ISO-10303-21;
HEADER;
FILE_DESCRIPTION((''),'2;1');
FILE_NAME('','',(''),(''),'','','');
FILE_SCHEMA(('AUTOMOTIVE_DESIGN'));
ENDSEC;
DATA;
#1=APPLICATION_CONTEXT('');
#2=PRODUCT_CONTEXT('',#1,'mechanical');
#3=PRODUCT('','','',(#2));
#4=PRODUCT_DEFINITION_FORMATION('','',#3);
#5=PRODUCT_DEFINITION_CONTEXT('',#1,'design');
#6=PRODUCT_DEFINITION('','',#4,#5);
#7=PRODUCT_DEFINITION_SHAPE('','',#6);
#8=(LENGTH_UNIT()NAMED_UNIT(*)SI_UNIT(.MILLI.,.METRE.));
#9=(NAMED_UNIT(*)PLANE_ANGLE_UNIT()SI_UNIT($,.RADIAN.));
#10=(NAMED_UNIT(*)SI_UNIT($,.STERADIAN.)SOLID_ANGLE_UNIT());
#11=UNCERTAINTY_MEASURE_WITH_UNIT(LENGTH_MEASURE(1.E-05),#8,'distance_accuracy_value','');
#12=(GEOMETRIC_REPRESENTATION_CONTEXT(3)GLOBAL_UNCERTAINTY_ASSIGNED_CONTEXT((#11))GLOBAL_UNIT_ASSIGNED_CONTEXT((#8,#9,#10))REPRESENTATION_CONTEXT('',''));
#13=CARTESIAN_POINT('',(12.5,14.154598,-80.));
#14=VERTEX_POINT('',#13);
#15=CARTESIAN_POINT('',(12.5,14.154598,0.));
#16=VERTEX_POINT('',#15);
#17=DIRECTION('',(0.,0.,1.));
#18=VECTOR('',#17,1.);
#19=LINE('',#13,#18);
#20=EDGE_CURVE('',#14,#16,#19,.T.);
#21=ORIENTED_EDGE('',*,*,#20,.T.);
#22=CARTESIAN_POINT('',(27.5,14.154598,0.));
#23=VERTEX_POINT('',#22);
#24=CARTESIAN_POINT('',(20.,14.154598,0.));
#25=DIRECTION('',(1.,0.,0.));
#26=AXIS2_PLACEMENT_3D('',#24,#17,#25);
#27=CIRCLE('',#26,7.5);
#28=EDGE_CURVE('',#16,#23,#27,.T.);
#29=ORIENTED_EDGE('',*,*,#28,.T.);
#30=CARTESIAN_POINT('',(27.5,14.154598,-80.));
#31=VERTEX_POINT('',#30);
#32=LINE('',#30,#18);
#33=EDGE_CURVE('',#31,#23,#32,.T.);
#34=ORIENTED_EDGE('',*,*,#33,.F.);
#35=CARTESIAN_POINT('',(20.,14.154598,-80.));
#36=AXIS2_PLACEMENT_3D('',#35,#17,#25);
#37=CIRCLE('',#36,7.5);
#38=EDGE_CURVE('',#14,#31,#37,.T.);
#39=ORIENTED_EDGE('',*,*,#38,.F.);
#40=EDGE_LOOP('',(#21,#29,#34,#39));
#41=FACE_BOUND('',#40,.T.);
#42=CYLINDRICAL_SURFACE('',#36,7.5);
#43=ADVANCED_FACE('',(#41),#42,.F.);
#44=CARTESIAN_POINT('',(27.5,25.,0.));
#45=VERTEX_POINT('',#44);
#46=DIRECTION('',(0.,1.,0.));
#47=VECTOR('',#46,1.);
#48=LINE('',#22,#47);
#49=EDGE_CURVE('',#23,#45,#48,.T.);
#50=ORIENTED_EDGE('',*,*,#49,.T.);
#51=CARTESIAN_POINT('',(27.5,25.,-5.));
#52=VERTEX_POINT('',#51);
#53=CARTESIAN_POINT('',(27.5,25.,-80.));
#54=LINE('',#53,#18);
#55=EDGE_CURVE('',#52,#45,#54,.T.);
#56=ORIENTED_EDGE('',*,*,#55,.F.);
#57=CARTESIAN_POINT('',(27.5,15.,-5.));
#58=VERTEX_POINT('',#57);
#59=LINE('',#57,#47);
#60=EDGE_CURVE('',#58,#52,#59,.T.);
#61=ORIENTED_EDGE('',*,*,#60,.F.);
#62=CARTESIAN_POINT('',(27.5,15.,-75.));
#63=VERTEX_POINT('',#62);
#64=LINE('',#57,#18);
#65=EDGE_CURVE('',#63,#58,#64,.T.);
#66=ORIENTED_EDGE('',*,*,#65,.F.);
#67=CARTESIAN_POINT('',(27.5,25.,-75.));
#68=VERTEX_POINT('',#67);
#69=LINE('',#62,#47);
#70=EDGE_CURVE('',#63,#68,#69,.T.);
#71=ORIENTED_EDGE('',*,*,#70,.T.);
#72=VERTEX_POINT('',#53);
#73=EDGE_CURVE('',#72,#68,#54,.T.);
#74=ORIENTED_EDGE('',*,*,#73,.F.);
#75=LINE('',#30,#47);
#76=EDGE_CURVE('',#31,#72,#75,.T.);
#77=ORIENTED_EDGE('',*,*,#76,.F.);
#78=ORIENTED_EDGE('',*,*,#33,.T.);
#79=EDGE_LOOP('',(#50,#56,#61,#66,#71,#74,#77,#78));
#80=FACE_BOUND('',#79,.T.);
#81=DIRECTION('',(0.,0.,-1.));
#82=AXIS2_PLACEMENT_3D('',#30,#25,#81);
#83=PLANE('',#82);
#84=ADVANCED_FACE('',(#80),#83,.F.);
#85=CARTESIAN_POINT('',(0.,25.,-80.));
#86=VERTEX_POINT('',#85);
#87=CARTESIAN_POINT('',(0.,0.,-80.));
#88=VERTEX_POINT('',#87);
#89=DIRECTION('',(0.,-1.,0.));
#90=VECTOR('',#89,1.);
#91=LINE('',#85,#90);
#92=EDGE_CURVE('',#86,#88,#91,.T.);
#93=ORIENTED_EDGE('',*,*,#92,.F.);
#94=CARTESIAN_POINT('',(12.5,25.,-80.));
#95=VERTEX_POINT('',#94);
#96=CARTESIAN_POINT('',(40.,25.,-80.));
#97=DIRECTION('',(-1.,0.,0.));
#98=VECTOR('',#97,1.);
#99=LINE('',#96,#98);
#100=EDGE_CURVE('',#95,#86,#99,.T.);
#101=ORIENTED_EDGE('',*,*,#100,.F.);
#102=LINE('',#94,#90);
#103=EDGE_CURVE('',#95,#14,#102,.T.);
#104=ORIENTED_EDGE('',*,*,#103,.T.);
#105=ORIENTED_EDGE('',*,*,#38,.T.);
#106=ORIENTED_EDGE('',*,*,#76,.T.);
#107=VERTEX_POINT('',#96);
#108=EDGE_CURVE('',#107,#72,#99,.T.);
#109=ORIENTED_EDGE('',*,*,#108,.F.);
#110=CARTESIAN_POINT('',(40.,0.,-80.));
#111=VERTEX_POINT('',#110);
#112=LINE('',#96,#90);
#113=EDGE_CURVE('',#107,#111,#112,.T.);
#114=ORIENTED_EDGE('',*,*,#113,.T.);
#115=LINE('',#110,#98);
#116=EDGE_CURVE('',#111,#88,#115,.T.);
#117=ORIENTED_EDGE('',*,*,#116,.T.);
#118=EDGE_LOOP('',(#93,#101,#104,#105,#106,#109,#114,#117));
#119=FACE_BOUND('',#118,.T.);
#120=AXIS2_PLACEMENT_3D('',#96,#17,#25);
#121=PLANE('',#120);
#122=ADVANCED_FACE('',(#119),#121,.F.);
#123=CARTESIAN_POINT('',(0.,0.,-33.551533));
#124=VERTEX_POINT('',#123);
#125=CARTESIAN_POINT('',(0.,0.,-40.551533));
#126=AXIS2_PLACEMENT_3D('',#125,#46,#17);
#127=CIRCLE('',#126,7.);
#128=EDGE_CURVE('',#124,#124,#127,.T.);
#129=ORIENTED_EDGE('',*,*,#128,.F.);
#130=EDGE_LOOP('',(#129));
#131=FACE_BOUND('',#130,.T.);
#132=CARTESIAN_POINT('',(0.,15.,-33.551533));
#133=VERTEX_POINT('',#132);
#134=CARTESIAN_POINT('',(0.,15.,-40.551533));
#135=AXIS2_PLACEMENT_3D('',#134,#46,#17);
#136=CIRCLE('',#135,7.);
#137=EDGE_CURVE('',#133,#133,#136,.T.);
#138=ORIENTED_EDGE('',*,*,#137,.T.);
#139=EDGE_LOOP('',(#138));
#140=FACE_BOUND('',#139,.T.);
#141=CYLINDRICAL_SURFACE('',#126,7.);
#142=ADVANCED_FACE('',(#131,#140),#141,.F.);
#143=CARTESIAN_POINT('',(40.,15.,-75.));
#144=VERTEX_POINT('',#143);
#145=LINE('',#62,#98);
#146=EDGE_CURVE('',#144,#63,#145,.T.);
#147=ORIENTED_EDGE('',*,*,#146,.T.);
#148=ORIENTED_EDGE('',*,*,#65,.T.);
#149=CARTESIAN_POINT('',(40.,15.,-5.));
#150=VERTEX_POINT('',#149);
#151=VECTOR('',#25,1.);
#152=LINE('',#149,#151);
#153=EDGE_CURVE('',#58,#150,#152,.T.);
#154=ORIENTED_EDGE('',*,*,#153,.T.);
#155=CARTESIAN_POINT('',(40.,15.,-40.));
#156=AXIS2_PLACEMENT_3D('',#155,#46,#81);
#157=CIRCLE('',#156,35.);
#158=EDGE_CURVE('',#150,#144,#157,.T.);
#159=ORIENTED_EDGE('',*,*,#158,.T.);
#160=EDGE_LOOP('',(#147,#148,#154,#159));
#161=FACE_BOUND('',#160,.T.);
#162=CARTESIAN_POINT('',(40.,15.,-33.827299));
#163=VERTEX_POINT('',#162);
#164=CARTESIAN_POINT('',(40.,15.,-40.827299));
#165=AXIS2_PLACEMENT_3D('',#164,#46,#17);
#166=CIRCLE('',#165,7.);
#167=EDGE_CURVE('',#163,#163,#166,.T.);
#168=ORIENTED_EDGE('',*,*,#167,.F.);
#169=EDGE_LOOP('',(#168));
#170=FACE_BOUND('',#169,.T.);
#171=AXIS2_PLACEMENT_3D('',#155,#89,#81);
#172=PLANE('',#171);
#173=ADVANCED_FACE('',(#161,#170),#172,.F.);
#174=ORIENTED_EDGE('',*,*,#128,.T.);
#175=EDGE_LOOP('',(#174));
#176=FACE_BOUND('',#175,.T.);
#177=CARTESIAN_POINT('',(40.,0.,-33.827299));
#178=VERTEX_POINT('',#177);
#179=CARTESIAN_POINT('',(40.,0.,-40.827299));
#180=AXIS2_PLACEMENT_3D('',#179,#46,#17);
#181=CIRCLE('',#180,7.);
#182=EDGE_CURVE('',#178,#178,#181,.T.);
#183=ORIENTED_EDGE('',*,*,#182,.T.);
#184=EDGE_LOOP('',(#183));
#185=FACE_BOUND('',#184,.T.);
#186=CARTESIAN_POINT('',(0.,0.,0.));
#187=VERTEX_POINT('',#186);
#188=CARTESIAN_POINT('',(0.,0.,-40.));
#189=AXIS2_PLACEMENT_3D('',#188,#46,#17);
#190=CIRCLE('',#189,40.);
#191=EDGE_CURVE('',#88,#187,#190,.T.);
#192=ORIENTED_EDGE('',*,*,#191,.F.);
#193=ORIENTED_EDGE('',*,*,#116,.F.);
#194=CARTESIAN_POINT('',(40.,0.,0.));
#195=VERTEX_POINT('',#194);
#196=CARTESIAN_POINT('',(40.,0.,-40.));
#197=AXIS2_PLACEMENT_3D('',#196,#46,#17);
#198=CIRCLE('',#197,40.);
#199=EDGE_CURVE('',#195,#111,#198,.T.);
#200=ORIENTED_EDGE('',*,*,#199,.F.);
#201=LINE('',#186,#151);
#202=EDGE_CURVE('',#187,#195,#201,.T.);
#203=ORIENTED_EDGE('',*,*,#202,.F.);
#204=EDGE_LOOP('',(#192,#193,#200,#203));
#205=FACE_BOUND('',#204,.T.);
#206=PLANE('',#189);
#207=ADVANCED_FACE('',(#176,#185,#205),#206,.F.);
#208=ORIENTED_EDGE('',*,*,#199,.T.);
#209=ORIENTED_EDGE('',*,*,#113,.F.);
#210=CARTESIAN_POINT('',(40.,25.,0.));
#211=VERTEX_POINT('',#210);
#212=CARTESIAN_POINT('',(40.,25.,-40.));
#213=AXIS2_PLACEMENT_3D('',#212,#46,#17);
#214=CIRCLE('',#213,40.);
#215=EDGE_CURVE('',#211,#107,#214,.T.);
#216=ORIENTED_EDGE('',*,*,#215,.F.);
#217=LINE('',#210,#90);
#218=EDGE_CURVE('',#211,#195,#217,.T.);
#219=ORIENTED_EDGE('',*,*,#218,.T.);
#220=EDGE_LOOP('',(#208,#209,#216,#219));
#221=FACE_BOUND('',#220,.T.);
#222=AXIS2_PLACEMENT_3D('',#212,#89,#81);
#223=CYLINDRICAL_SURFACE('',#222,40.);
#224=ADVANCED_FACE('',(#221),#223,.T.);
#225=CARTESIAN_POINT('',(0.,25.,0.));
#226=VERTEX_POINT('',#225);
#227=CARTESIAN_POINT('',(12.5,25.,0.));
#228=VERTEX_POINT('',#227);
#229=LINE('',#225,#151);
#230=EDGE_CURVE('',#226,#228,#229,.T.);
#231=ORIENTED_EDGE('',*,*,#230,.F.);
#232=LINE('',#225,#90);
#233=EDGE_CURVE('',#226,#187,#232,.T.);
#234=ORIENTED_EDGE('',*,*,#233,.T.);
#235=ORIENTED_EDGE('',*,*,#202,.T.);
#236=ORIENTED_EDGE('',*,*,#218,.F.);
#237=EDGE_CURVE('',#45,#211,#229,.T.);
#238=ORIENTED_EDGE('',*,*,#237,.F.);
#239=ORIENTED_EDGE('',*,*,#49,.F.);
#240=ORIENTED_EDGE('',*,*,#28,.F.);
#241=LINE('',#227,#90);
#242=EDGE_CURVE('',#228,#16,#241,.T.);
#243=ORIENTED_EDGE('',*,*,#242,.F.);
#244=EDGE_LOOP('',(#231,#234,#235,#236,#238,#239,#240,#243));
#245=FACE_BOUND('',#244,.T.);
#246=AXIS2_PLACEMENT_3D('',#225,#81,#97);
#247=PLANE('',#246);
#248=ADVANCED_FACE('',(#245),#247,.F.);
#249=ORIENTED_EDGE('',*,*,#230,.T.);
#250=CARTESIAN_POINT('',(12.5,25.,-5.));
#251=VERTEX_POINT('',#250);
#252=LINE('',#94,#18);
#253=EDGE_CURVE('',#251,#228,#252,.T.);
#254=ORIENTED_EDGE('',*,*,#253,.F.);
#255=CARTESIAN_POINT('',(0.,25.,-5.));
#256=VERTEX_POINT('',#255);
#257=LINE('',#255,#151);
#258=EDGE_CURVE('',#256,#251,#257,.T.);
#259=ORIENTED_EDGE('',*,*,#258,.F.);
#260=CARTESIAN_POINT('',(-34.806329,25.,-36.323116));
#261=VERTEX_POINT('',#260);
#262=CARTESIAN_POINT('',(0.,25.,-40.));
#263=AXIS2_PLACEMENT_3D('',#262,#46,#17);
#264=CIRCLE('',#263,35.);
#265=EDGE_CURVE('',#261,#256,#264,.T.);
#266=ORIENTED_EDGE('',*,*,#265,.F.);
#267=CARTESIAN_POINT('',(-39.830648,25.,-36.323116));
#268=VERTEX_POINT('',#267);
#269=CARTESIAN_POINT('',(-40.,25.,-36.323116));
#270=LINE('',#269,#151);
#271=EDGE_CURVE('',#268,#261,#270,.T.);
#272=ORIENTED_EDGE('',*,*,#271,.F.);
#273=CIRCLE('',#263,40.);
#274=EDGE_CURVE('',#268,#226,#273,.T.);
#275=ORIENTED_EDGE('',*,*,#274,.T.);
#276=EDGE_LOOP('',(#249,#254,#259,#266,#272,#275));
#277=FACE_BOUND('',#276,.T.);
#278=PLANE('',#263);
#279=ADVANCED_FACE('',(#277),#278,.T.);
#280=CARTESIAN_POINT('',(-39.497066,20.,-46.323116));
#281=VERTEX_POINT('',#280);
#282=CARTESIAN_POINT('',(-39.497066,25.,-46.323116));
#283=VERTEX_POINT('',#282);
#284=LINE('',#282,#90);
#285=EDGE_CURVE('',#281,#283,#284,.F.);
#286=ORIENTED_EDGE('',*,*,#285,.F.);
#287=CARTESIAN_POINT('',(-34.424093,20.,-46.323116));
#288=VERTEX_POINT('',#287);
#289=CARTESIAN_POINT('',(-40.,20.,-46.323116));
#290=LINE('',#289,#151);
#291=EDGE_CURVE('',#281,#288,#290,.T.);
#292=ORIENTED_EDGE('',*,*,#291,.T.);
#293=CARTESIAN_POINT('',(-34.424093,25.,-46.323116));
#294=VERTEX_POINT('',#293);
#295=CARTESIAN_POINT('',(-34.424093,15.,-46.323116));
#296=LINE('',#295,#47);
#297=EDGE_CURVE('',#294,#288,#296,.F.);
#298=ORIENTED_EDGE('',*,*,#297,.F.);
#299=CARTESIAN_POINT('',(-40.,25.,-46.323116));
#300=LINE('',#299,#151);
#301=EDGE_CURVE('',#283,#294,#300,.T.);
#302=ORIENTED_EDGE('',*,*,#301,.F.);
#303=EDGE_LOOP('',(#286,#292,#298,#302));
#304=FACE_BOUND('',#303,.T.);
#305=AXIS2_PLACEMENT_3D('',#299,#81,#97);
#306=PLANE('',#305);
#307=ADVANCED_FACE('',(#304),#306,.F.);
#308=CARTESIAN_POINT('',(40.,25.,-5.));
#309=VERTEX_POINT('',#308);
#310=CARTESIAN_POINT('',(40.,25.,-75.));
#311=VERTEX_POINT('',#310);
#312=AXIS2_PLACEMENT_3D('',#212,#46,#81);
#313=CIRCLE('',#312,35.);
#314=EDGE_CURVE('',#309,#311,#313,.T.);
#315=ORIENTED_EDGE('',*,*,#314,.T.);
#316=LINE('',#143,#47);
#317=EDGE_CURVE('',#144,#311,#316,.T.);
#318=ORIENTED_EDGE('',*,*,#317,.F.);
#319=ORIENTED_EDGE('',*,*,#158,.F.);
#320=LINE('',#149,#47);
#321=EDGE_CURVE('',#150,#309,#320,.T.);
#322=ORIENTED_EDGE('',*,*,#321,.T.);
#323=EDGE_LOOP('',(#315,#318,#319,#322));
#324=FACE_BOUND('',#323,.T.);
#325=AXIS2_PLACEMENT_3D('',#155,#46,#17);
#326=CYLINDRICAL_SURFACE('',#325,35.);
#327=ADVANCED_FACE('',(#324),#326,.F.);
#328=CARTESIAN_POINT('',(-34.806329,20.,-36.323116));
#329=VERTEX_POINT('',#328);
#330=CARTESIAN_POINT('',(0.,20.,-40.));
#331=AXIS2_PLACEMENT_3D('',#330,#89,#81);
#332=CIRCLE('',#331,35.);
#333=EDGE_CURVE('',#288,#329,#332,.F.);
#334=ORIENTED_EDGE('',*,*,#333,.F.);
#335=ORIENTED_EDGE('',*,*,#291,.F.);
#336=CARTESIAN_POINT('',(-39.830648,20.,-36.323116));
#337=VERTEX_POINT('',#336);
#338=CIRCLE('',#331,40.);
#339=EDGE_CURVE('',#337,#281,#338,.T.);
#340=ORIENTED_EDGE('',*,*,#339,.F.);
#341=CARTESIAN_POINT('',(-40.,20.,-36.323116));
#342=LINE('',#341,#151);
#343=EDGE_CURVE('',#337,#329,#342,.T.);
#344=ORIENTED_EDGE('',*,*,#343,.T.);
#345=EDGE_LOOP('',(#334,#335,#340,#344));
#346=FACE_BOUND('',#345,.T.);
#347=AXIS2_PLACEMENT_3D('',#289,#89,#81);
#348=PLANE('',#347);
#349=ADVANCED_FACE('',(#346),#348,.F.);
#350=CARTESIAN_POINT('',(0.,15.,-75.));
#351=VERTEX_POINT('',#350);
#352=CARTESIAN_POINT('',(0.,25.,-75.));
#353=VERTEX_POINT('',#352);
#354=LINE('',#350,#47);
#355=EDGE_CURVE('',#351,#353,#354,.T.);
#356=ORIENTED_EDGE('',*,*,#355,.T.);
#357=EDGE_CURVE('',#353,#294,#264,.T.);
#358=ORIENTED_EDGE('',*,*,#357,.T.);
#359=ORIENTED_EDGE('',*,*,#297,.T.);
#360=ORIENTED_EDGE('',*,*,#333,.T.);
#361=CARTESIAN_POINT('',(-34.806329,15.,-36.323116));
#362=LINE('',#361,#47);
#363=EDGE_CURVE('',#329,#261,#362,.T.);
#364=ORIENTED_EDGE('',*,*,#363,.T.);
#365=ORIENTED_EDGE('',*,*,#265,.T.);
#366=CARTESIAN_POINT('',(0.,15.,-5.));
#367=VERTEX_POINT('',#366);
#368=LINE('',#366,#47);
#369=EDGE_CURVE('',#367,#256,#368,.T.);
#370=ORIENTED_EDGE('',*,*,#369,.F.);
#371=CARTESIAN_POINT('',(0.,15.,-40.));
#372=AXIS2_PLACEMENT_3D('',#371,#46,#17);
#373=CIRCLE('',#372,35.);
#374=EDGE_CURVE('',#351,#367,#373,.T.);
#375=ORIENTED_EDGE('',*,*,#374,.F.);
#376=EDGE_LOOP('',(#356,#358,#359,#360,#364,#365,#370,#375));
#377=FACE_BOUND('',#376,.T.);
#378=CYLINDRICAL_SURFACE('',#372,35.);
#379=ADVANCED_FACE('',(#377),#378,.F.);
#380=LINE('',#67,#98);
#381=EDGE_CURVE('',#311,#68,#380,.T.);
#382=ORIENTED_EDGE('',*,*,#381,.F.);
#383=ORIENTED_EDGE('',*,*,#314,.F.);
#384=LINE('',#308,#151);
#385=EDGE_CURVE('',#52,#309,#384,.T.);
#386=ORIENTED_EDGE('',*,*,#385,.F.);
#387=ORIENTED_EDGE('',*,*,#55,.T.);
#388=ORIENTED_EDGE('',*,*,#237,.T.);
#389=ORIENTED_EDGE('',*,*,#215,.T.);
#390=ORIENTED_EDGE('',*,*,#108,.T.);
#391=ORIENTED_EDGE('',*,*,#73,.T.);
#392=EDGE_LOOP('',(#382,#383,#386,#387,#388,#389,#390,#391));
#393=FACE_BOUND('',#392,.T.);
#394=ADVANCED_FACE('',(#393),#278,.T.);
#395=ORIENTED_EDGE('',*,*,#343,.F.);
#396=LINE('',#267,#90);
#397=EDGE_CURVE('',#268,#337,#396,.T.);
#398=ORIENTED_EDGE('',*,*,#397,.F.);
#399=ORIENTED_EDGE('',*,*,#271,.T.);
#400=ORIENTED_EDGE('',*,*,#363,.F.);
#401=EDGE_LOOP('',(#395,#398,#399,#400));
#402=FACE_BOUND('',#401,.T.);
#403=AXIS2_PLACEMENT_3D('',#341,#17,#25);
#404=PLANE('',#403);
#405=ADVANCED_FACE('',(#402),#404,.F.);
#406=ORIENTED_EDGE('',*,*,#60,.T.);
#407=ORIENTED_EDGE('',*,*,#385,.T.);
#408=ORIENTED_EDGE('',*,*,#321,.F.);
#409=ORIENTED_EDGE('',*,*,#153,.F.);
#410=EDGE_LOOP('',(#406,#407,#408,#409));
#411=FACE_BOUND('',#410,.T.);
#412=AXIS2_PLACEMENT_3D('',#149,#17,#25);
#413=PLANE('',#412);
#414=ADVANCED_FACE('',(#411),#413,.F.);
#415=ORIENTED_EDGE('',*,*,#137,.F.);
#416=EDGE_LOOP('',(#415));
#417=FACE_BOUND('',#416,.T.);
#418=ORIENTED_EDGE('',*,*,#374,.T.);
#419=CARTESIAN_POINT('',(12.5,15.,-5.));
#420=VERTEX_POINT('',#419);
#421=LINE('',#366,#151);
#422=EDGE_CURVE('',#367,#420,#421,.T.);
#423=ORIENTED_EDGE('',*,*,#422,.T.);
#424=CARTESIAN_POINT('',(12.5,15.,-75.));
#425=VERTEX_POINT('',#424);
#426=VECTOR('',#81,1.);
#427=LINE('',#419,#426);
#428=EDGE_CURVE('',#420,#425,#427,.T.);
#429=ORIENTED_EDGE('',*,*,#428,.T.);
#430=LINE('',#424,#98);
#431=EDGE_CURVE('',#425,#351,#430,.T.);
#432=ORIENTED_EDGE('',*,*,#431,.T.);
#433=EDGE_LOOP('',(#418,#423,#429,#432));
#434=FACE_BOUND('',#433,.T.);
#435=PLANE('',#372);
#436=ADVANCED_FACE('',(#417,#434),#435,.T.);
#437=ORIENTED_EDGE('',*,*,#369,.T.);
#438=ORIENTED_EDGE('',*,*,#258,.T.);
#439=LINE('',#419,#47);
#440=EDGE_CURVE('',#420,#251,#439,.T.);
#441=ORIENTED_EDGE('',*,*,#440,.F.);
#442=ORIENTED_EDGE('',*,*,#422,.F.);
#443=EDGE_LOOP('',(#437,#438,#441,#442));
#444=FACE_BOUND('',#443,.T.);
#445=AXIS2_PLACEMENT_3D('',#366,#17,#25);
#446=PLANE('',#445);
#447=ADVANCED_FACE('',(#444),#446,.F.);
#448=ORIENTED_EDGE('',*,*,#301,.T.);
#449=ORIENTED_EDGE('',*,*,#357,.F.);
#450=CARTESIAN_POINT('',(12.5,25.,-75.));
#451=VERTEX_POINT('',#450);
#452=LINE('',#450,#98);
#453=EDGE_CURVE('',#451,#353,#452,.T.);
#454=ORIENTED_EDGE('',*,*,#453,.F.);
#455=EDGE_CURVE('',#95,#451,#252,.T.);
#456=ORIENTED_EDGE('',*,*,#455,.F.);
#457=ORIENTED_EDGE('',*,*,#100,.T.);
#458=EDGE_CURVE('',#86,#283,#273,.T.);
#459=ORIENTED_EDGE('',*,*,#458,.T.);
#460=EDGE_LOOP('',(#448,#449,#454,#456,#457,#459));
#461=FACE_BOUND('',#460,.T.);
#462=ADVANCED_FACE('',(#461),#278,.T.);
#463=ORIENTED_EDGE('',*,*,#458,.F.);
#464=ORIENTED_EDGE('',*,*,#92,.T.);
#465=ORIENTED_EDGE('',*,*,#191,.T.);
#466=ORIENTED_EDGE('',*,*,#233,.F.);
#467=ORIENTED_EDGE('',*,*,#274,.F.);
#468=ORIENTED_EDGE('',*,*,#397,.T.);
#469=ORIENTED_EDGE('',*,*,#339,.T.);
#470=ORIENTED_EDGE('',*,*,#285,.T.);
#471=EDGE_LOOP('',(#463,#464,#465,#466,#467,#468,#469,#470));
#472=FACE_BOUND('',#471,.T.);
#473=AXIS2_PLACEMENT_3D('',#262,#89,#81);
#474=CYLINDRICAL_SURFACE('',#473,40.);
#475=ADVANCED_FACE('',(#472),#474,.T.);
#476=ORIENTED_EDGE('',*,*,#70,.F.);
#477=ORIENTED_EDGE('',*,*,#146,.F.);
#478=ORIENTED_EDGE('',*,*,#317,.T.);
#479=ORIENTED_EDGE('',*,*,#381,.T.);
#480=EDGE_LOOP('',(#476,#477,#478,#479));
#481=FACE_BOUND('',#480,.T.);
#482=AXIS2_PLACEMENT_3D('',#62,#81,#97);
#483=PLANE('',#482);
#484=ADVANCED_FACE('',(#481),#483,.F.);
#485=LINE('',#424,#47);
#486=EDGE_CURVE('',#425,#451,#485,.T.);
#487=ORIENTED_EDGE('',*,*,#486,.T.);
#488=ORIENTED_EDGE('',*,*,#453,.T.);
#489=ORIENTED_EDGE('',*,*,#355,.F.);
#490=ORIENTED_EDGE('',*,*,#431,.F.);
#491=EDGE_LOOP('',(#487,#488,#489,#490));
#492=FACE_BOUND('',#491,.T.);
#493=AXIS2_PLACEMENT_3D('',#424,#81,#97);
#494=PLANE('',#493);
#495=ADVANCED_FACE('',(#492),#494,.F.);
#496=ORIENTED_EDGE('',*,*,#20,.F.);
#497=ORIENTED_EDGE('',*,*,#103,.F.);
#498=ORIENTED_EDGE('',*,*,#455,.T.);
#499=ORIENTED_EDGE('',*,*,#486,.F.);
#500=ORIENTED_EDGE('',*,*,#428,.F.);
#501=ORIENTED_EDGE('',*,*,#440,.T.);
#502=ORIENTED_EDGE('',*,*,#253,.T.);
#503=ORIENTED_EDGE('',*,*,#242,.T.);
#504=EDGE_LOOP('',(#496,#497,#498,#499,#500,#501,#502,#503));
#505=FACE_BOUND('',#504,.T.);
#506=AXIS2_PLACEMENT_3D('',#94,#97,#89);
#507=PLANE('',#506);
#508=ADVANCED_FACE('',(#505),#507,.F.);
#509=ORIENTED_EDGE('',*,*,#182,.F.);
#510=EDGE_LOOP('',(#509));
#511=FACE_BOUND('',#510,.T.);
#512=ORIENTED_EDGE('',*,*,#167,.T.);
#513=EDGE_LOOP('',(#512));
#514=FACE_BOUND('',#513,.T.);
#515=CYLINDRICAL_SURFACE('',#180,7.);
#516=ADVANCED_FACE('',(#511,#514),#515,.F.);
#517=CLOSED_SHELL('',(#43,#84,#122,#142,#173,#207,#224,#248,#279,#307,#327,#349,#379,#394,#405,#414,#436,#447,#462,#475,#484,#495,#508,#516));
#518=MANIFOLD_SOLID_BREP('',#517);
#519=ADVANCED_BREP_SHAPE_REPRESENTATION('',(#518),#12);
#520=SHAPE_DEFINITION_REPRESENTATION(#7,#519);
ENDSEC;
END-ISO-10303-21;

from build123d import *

# Parameters (mm, degrees)
RESSALTO_EXTRUS_O1_DEPTH = 25
CORTE_EXTRUS_O1_DEPTH    = 116.866302263
CORTE_EXTRUS_O2_DEPTH    = 10
CORTE_EXTRUS_O3_DEPTH    = 10
ESBO_O8_W                = 10
ESBO_O8_H                = 5
CORTE_EXTRUS_O4_DEPTH    = 108.61621625
ESBO_O10_R               = 7
CORTE_EXTRUS_O5_DEPTH    = 115.127122105
ESBO_O11_R               = 7
CORTE_EXTRUS_O6_DEPTH    = 115.127122105


with BuildPart() as part:
    # Esboço1 → Ressalto-extrusão1 (new body)
    with BuildSketch(Plane(origin=(0, 0, 0), x_dir=(1, 0, 0), z_dir=(0, 1, 0))):
        with BuildLine():
            Line((0, 0), (40, 0))
            ThreePointArc((40, 0), (80, 40), (40, 80))
            Line((40, 80), (0, 80))
            ThreePointArc((0, 80), (-40, 40), (0, 0))
        make_face()
    extrude(amount=RESSALTO_EXTRUS_O1_DEPTH)

    # Esboço5 → Corte-extrusão1 (cut, through all)
    with BuildSketch(Plane.XY):
        with BuildLine():
            Line((12.5, 25), (12.5, 14.154597668))
            ThreePointArc((12.5, 14.154597668), (20, 6.654597668), (27.5, 14.154597668))
            Line((27.5, 14.154597668), (27.5, 25))
            Line((27.5, 25), (12.5, 25))
        make_face()
    extrude(amount=-CORTE_EXTRUS_O1_DEPTH, mode=Mode.SUBTRACT)

    # Esboço6 → Corte-extrusão2 (cut)
    with BuildSketch(Plane(origin=(0, 25, 0), x_dir=(1, 0, 0), z_dir=(0, 1, 0))):
        with BuildLine():
            Line((12.5, 75), (0, 75))
            ThreePointArc((0, 75), (-35, 40), (0, 5))
            Line((0, 5), (12.5, 5))
            Line((12.5, 5), (12.5, 75))
        make_face()
    extrude(amount=-CORTE_EXTRUS_O2_DEPTH, mode=Mode.SUBTRACT)

    # Esboço7 → Corte-extrusão3 (cut)
    with BuildSketch(Plane(origin=(0, 25, 0), x_dir=(1, 0, 0), z_dir=(0, 1, 0))):
        with BuildLine():
            Line((27.5, 75), (40, 75))
            ThreePointArc((40, 75), (75, 40), (40, 5))
            Line((40, 5), (27.5, 5))
            Line((27.5, 5), (27.5, 75))
        make_face()
    extrude(amount=-CORTE_EXTRUS_O3_DEPTH, mode=Mode.SUBTRACT)

    # Esboço8 → Corte-extrusão4 (cut, through all)
    with BuildSketch(Plane(origin=(12.5, 0, 0), x_dir=(0, 0, -1), z_dir=(1, 0, 0))):
        with Locations((41.323116294, 22.5)):
            Rectangle(ESBO_O8_W, ESBO_O8_H)
    extrude(amount=-CORTE_EXTRUS_O4_DEPTH, mode=Mode.SUBTRACT)

    # Esboço10 → Corte-extrusão5 (cut, through all)
    with BuildSketch(Plane(origin=(0, 15, 0), x_dir=(1, 0, 0), z_dir=(0, 1, 0))):
        with Locations(Location((0, 40.551532556, 0), (0, 0, 270))):
            Circle(ESBO_O10_R)
    extrude(amount=-CORTE_EXTRUS_O5_DEPTH, mode=Mode.SUBTRACT)

    # Esboço11 → Corte-extrusão6 (cut, through all)
    with BuildSketch(Plane(origin=(0, 15, 0), x_dir=(1, 0, 0), z_dir=(0, 1, 0))):
        with Locations(Location((40, 40.827298834, 0), (0, 0, 270))):
            Circle(ESBO_O11_R)
    extrude(amount=-CORTE_EXTRUS_O6_DEPTH, mode=Mode.SUBTRACT)


solid = part.part
